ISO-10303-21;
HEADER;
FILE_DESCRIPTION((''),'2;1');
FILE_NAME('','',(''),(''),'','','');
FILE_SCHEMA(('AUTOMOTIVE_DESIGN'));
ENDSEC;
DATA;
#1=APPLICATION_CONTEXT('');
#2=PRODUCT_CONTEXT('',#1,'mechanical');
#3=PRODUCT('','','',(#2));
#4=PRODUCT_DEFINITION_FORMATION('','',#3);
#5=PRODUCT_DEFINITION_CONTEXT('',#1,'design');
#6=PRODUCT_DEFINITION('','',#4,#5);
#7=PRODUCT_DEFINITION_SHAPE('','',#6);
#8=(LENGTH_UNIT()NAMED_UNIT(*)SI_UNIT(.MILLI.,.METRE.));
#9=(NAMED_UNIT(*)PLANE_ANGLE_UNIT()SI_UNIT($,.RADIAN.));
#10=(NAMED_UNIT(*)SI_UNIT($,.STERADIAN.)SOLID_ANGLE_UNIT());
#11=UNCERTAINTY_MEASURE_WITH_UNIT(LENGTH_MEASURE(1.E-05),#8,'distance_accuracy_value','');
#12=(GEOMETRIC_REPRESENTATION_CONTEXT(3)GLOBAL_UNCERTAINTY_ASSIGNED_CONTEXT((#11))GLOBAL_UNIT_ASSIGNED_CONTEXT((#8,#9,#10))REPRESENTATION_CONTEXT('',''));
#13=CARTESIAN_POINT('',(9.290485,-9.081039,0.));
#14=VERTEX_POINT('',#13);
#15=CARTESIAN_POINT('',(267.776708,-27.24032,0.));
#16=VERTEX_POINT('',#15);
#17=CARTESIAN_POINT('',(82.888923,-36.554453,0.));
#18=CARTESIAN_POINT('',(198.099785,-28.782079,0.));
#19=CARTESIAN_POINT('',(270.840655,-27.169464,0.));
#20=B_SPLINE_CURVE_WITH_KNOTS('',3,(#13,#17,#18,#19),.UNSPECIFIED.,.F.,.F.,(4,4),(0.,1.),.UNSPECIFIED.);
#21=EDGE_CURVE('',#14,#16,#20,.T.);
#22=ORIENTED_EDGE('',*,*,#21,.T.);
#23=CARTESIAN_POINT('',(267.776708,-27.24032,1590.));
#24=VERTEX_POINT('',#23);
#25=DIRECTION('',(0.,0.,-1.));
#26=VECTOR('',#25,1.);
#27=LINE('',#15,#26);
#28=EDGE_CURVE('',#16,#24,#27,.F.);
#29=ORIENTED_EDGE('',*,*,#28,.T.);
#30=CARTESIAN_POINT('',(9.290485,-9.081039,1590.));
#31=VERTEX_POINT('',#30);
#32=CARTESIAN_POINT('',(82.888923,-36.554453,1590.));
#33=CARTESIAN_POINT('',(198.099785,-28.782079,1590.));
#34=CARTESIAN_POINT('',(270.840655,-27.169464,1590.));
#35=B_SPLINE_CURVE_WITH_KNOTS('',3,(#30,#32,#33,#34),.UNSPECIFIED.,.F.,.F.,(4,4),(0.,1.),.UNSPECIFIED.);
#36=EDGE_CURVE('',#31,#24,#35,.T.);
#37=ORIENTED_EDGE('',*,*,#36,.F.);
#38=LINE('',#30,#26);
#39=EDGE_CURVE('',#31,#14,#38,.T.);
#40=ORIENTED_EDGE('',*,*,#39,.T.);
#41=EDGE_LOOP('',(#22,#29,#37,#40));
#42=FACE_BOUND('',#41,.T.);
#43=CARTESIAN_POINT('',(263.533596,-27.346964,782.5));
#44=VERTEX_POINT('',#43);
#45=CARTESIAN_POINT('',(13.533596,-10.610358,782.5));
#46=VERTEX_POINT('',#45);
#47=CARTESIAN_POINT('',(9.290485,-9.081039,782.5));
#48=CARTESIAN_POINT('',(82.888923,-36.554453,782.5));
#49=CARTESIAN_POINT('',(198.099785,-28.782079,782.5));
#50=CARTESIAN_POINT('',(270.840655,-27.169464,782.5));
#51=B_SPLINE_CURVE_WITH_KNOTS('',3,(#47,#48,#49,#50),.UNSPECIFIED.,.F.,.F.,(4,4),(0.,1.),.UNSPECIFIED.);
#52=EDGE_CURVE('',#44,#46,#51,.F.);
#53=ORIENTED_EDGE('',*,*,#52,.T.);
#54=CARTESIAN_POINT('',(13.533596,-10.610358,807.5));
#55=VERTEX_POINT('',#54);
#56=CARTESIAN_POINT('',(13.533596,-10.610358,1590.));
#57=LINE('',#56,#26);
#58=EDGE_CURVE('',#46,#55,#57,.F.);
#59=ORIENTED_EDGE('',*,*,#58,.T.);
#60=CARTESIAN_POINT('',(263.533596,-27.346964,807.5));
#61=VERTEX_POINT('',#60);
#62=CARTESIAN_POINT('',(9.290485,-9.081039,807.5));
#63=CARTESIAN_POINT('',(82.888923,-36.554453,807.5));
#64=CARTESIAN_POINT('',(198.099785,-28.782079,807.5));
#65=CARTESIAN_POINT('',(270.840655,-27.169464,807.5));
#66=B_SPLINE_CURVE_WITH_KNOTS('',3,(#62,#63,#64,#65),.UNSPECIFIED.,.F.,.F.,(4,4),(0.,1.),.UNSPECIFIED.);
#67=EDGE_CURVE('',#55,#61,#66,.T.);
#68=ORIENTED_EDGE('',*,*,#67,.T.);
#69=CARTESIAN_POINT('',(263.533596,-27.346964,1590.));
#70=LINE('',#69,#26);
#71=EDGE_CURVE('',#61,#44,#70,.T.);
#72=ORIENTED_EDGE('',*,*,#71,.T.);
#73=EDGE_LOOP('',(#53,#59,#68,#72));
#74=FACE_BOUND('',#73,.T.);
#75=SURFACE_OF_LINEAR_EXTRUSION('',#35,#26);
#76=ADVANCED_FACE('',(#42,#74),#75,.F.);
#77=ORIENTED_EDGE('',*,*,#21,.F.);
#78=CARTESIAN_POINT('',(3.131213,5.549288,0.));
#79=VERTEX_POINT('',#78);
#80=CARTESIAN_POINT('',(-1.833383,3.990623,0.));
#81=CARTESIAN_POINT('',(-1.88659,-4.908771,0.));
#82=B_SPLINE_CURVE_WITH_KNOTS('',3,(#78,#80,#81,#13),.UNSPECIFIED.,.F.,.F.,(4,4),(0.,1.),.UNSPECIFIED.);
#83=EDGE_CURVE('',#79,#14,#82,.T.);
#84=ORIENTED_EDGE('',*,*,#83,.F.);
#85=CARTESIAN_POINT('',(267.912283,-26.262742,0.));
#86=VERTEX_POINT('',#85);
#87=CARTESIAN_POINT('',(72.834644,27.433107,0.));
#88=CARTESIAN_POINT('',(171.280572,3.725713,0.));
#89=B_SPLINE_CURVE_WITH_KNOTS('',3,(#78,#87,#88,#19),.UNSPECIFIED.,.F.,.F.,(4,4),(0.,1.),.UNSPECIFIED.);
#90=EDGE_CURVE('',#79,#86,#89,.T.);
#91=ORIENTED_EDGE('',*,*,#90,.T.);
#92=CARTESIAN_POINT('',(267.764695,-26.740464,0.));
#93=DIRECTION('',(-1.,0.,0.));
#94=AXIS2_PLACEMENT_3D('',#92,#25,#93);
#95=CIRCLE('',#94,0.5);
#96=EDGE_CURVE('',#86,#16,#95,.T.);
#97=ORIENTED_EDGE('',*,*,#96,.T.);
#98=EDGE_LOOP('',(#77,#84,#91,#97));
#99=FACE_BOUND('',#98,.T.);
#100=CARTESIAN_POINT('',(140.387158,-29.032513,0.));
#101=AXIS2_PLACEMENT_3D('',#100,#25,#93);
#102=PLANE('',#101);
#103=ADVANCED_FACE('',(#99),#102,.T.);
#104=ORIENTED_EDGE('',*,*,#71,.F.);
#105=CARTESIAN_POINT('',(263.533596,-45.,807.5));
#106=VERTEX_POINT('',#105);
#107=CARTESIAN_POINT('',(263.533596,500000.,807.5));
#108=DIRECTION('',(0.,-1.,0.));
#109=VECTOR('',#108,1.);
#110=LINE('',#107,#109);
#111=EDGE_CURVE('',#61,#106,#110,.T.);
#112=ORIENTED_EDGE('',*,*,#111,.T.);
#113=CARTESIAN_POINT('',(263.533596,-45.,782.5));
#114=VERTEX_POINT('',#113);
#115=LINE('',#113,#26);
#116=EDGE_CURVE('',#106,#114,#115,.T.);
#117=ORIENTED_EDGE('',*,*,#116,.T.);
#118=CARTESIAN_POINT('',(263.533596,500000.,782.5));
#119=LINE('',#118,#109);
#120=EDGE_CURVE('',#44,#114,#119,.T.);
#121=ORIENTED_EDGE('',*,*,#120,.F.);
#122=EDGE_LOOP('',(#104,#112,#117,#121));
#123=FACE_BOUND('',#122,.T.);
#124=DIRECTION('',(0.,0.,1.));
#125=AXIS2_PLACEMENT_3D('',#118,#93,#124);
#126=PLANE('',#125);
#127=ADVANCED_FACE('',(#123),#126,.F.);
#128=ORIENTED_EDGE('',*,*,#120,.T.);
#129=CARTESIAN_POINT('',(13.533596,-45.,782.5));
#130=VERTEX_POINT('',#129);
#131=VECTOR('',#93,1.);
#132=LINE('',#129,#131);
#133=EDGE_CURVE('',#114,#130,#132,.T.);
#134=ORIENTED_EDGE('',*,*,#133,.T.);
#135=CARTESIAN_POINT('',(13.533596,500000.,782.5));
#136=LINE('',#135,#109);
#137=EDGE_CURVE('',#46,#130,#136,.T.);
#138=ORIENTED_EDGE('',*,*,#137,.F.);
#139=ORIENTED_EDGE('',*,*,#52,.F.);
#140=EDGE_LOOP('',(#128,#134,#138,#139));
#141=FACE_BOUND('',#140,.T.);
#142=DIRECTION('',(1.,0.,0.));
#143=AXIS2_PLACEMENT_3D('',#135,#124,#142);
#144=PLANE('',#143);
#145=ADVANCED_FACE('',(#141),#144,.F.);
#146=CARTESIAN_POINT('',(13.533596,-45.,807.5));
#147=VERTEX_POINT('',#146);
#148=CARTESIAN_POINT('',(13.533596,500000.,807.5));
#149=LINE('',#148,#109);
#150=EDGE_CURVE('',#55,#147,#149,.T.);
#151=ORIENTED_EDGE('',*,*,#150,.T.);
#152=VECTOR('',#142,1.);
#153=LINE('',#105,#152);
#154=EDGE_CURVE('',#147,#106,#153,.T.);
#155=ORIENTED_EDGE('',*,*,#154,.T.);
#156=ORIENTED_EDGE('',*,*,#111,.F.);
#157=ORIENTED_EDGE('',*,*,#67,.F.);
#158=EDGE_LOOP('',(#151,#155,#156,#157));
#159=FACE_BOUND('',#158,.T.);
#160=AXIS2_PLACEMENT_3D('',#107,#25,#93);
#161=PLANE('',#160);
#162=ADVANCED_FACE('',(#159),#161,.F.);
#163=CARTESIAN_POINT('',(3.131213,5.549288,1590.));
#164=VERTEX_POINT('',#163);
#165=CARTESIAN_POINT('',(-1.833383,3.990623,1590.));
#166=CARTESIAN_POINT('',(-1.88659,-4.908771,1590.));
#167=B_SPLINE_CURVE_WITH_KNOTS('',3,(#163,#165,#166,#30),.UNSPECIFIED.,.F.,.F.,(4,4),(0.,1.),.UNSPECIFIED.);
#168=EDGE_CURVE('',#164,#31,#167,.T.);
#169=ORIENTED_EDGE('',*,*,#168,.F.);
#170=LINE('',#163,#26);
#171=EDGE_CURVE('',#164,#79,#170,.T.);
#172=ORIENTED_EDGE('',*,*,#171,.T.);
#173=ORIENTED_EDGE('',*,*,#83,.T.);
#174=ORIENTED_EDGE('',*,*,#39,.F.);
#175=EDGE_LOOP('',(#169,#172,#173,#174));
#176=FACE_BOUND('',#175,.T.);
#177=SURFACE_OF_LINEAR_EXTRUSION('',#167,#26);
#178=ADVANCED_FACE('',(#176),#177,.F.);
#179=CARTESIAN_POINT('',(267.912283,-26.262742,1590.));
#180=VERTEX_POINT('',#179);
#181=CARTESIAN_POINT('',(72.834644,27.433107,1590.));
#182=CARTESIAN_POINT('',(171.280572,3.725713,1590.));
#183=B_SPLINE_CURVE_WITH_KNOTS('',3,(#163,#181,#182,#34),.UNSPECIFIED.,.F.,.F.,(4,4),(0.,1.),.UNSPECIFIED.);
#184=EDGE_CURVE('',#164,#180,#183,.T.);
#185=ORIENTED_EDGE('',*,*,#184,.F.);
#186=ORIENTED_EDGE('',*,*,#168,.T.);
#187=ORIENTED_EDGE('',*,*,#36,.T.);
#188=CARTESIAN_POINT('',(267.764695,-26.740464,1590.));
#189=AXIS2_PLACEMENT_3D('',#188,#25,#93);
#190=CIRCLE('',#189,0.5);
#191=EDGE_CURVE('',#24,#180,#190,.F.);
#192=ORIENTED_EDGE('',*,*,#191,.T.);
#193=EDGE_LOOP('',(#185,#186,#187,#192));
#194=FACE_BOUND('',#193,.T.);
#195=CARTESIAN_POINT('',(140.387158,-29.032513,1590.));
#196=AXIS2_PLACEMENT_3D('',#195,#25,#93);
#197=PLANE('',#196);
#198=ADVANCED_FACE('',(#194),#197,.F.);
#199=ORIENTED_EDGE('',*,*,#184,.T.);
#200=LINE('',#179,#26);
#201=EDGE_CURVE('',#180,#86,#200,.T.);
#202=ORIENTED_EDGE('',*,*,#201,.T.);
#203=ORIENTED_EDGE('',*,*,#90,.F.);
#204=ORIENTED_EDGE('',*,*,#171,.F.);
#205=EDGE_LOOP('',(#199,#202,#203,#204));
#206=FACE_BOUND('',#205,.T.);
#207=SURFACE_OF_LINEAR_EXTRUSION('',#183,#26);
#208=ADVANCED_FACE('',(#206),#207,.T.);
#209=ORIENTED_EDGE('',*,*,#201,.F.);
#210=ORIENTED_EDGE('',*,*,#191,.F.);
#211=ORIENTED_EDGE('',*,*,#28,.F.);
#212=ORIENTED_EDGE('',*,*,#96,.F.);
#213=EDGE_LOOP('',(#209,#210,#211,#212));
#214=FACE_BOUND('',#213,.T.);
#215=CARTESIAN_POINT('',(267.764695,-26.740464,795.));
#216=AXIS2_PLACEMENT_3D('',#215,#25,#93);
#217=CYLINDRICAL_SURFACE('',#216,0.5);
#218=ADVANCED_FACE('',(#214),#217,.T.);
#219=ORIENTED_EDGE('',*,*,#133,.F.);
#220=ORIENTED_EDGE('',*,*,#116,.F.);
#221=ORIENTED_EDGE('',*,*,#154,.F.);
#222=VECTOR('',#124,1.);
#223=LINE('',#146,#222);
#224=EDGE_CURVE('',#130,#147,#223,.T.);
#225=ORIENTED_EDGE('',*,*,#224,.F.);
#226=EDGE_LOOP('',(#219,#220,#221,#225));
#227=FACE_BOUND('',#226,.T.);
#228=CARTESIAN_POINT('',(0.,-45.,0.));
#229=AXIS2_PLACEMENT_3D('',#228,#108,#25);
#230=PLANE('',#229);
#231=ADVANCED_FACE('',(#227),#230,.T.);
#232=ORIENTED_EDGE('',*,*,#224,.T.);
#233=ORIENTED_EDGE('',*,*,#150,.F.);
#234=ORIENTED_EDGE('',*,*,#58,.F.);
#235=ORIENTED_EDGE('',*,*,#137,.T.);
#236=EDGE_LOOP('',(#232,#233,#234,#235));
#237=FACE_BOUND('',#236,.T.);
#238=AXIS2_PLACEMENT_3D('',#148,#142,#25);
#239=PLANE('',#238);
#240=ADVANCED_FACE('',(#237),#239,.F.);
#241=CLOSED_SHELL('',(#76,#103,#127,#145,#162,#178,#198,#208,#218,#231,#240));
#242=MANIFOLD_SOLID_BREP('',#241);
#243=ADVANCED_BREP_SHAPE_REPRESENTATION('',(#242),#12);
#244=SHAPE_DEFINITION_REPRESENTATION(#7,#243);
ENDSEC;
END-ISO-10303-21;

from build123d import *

# Parameters (mm, degrees)
BOSS_EXTRUDE1_DEPTH = 1590
FILLET1_R           = 0.5
BOSS_EXTRUDE2_REACH = 1615.553
SKETCH6_W           = 250
SKETCH6_H           = 25


with BuildPart() as part:
    # Sketch2 → Boss-Extrude1 (new body)
    with BuildSketch(Plane.XY):
        with BuildLine():
            add(Edge.make_bspline(
                [(3.131212666, 5.549288034), (72.834644418, 27.433106924), (171.280571566, 3.725712841), (270.840654693, -27.169463842)],
                knots=[0, 0, 0, 0, 1, 1, 1, 1], degree=3))
            add(Edge.make_bspline(
                [(9.290484609, -9.081039263), (82.88892322, -36.554453489), (198.099785008, -28.782078902), (270.840654693, -27.169463842)],
                knots=[0, 0, 0, 0, 1, 1, 1, 1], degree=3))
            add(Edge.make_bspline(
                [(3.131212666, 5.549288034), (-1.83338348, 3.990622698), (-1.886589783, -4.908771476), (9.290484609, -9.081039263)],
                knots=[0, 0, 0, 0, 1, 1, 1, 1], degree=3))
        make_face()
    extrude(amount=BOSS_EXTRUDE1_DEPTH)

    # Fillet1
    fillet1_edges = [part.edges().sort_by_distance(p)[0] for p in [
        (270.840654693, -27.169463842, 795),
    ]]
    fillet(fillet1_edges, radius=FILLET1_R)

    # Sketch6 → Boss-Extrude2 (add, up to next)
    with BuildSketch(Plane(origin=(0, -45, 0), x_dir=(1, 0, 0), z_dir=(0, 1, 0)), mode=Mode.PRIVATE) as boss_extrude2_sk1:
        with Locations((138.533596353, -795)):
            Rectangle(SKETCH6_W, SKETCH6_H)
    boss_extrude2_tool1 = extrude(boss_extrude2_sk1.sketch, amount=BOSS_EXTRUDE2_REACH, mode=Mode.PRIVATE) - part.part
    add(boss_extrude2_tool1.solids().sort_by_distance((138.533596, -45, 795))[0])


solid = part.part
